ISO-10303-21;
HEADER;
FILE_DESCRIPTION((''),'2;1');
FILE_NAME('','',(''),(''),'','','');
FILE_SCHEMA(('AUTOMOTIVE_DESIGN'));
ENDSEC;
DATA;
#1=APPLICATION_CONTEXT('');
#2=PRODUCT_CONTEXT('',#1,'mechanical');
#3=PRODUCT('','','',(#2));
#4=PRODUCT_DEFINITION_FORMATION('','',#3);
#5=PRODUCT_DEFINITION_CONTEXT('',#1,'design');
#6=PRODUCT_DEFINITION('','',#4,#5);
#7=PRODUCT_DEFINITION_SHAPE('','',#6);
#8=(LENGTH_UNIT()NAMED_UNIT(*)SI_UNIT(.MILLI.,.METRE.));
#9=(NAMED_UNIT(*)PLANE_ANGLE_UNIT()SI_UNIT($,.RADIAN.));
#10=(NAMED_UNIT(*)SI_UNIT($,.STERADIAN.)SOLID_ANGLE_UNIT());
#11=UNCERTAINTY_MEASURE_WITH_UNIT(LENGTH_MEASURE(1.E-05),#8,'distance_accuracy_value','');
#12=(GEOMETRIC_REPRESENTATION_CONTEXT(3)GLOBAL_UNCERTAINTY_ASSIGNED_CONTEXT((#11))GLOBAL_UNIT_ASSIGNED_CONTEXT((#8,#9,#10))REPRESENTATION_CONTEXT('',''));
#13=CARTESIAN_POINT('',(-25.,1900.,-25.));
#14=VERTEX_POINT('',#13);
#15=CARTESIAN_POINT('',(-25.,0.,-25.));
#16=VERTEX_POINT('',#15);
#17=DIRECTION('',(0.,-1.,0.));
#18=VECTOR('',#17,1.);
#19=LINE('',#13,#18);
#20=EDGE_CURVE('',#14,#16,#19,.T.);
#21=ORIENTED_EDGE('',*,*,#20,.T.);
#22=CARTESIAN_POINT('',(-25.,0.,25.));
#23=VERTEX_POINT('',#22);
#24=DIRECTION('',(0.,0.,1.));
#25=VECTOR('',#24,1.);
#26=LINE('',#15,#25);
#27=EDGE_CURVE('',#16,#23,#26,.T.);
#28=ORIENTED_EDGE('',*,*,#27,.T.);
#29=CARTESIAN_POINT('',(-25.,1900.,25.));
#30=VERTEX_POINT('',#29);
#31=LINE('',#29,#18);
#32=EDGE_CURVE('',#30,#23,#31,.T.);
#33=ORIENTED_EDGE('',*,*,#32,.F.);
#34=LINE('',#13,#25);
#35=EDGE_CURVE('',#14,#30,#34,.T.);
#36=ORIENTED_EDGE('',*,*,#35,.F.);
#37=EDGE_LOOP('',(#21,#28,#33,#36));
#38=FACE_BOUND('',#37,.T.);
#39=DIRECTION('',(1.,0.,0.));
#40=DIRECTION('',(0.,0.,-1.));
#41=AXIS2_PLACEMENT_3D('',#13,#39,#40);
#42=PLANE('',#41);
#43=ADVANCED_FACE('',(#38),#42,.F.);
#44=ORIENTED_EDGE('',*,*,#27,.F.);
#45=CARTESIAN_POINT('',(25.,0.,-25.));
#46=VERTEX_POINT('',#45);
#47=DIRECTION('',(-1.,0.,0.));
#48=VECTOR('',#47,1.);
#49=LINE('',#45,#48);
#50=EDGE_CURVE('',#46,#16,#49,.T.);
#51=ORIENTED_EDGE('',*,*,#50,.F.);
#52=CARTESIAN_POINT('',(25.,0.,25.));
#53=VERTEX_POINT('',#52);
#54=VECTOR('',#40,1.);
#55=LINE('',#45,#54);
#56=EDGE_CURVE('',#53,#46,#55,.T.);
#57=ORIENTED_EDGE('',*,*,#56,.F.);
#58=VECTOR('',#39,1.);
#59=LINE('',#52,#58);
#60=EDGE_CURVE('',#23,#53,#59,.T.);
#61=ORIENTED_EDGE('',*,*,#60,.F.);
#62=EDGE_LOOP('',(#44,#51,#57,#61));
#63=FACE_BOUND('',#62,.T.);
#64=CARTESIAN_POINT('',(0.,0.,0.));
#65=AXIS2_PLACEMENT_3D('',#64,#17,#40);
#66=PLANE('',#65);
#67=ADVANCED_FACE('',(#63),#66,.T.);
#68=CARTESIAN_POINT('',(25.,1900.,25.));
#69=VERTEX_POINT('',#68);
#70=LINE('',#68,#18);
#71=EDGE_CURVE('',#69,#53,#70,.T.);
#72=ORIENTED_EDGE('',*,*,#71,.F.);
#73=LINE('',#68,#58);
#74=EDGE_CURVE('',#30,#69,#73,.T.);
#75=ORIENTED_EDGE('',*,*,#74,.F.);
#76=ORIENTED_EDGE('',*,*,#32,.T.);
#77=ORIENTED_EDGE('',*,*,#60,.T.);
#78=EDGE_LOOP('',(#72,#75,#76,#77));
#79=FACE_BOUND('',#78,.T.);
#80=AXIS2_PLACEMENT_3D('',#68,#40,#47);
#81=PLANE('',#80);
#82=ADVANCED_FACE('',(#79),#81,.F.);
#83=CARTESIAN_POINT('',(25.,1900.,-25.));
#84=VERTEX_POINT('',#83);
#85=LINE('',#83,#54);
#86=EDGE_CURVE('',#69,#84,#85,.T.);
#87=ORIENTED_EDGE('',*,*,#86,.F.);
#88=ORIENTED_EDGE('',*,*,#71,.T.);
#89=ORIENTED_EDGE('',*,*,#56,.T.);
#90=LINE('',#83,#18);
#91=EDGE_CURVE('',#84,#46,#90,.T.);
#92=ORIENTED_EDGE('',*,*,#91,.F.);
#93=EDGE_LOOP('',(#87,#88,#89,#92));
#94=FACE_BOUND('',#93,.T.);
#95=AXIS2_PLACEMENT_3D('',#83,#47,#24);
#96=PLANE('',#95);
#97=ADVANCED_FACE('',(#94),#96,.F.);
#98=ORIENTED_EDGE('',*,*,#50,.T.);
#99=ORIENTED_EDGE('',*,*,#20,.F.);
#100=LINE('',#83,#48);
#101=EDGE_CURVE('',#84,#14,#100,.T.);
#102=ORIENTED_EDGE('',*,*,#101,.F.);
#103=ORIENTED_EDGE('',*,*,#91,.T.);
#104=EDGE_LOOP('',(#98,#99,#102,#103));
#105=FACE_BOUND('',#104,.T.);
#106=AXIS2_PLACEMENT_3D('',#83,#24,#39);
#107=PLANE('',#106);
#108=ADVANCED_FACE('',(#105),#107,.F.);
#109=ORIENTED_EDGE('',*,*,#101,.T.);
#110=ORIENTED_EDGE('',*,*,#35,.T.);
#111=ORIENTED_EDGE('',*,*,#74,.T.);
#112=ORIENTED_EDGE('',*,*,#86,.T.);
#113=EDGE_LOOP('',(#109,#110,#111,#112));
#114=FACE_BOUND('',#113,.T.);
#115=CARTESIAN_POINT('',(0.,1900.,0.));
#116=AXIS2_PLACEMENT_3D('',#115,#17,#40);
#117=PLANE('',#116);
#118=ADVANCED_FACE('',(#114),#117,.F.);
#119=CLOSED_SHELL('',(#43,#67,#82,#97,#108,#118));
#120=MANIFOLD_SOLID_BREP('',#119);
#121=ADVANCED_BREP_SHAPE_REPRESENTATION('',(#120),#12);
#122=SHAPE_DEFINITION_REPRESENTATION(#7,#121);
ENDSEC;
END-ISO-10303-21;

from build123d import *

# Parameters (mm, degrees)
SKETCH_1_W      = 50
SKETCH_1_H      = 50
EXTRUDE_1_DEPTH = 1900


with BuildPart() as part:
    # Эскиз1 → Бобышка-Вытянуть1 (new body)
    with BuildSketch(Plane(origin=(0, 0, 0), x_dir=(1, 0, 0), z_dir=(0, 1, 0))):
        Rectangle(SKETCH_1_W, SKETCH_1_H)
    extrude(amount=EXTRUDE_1_DEPTH)


solid = part.part
